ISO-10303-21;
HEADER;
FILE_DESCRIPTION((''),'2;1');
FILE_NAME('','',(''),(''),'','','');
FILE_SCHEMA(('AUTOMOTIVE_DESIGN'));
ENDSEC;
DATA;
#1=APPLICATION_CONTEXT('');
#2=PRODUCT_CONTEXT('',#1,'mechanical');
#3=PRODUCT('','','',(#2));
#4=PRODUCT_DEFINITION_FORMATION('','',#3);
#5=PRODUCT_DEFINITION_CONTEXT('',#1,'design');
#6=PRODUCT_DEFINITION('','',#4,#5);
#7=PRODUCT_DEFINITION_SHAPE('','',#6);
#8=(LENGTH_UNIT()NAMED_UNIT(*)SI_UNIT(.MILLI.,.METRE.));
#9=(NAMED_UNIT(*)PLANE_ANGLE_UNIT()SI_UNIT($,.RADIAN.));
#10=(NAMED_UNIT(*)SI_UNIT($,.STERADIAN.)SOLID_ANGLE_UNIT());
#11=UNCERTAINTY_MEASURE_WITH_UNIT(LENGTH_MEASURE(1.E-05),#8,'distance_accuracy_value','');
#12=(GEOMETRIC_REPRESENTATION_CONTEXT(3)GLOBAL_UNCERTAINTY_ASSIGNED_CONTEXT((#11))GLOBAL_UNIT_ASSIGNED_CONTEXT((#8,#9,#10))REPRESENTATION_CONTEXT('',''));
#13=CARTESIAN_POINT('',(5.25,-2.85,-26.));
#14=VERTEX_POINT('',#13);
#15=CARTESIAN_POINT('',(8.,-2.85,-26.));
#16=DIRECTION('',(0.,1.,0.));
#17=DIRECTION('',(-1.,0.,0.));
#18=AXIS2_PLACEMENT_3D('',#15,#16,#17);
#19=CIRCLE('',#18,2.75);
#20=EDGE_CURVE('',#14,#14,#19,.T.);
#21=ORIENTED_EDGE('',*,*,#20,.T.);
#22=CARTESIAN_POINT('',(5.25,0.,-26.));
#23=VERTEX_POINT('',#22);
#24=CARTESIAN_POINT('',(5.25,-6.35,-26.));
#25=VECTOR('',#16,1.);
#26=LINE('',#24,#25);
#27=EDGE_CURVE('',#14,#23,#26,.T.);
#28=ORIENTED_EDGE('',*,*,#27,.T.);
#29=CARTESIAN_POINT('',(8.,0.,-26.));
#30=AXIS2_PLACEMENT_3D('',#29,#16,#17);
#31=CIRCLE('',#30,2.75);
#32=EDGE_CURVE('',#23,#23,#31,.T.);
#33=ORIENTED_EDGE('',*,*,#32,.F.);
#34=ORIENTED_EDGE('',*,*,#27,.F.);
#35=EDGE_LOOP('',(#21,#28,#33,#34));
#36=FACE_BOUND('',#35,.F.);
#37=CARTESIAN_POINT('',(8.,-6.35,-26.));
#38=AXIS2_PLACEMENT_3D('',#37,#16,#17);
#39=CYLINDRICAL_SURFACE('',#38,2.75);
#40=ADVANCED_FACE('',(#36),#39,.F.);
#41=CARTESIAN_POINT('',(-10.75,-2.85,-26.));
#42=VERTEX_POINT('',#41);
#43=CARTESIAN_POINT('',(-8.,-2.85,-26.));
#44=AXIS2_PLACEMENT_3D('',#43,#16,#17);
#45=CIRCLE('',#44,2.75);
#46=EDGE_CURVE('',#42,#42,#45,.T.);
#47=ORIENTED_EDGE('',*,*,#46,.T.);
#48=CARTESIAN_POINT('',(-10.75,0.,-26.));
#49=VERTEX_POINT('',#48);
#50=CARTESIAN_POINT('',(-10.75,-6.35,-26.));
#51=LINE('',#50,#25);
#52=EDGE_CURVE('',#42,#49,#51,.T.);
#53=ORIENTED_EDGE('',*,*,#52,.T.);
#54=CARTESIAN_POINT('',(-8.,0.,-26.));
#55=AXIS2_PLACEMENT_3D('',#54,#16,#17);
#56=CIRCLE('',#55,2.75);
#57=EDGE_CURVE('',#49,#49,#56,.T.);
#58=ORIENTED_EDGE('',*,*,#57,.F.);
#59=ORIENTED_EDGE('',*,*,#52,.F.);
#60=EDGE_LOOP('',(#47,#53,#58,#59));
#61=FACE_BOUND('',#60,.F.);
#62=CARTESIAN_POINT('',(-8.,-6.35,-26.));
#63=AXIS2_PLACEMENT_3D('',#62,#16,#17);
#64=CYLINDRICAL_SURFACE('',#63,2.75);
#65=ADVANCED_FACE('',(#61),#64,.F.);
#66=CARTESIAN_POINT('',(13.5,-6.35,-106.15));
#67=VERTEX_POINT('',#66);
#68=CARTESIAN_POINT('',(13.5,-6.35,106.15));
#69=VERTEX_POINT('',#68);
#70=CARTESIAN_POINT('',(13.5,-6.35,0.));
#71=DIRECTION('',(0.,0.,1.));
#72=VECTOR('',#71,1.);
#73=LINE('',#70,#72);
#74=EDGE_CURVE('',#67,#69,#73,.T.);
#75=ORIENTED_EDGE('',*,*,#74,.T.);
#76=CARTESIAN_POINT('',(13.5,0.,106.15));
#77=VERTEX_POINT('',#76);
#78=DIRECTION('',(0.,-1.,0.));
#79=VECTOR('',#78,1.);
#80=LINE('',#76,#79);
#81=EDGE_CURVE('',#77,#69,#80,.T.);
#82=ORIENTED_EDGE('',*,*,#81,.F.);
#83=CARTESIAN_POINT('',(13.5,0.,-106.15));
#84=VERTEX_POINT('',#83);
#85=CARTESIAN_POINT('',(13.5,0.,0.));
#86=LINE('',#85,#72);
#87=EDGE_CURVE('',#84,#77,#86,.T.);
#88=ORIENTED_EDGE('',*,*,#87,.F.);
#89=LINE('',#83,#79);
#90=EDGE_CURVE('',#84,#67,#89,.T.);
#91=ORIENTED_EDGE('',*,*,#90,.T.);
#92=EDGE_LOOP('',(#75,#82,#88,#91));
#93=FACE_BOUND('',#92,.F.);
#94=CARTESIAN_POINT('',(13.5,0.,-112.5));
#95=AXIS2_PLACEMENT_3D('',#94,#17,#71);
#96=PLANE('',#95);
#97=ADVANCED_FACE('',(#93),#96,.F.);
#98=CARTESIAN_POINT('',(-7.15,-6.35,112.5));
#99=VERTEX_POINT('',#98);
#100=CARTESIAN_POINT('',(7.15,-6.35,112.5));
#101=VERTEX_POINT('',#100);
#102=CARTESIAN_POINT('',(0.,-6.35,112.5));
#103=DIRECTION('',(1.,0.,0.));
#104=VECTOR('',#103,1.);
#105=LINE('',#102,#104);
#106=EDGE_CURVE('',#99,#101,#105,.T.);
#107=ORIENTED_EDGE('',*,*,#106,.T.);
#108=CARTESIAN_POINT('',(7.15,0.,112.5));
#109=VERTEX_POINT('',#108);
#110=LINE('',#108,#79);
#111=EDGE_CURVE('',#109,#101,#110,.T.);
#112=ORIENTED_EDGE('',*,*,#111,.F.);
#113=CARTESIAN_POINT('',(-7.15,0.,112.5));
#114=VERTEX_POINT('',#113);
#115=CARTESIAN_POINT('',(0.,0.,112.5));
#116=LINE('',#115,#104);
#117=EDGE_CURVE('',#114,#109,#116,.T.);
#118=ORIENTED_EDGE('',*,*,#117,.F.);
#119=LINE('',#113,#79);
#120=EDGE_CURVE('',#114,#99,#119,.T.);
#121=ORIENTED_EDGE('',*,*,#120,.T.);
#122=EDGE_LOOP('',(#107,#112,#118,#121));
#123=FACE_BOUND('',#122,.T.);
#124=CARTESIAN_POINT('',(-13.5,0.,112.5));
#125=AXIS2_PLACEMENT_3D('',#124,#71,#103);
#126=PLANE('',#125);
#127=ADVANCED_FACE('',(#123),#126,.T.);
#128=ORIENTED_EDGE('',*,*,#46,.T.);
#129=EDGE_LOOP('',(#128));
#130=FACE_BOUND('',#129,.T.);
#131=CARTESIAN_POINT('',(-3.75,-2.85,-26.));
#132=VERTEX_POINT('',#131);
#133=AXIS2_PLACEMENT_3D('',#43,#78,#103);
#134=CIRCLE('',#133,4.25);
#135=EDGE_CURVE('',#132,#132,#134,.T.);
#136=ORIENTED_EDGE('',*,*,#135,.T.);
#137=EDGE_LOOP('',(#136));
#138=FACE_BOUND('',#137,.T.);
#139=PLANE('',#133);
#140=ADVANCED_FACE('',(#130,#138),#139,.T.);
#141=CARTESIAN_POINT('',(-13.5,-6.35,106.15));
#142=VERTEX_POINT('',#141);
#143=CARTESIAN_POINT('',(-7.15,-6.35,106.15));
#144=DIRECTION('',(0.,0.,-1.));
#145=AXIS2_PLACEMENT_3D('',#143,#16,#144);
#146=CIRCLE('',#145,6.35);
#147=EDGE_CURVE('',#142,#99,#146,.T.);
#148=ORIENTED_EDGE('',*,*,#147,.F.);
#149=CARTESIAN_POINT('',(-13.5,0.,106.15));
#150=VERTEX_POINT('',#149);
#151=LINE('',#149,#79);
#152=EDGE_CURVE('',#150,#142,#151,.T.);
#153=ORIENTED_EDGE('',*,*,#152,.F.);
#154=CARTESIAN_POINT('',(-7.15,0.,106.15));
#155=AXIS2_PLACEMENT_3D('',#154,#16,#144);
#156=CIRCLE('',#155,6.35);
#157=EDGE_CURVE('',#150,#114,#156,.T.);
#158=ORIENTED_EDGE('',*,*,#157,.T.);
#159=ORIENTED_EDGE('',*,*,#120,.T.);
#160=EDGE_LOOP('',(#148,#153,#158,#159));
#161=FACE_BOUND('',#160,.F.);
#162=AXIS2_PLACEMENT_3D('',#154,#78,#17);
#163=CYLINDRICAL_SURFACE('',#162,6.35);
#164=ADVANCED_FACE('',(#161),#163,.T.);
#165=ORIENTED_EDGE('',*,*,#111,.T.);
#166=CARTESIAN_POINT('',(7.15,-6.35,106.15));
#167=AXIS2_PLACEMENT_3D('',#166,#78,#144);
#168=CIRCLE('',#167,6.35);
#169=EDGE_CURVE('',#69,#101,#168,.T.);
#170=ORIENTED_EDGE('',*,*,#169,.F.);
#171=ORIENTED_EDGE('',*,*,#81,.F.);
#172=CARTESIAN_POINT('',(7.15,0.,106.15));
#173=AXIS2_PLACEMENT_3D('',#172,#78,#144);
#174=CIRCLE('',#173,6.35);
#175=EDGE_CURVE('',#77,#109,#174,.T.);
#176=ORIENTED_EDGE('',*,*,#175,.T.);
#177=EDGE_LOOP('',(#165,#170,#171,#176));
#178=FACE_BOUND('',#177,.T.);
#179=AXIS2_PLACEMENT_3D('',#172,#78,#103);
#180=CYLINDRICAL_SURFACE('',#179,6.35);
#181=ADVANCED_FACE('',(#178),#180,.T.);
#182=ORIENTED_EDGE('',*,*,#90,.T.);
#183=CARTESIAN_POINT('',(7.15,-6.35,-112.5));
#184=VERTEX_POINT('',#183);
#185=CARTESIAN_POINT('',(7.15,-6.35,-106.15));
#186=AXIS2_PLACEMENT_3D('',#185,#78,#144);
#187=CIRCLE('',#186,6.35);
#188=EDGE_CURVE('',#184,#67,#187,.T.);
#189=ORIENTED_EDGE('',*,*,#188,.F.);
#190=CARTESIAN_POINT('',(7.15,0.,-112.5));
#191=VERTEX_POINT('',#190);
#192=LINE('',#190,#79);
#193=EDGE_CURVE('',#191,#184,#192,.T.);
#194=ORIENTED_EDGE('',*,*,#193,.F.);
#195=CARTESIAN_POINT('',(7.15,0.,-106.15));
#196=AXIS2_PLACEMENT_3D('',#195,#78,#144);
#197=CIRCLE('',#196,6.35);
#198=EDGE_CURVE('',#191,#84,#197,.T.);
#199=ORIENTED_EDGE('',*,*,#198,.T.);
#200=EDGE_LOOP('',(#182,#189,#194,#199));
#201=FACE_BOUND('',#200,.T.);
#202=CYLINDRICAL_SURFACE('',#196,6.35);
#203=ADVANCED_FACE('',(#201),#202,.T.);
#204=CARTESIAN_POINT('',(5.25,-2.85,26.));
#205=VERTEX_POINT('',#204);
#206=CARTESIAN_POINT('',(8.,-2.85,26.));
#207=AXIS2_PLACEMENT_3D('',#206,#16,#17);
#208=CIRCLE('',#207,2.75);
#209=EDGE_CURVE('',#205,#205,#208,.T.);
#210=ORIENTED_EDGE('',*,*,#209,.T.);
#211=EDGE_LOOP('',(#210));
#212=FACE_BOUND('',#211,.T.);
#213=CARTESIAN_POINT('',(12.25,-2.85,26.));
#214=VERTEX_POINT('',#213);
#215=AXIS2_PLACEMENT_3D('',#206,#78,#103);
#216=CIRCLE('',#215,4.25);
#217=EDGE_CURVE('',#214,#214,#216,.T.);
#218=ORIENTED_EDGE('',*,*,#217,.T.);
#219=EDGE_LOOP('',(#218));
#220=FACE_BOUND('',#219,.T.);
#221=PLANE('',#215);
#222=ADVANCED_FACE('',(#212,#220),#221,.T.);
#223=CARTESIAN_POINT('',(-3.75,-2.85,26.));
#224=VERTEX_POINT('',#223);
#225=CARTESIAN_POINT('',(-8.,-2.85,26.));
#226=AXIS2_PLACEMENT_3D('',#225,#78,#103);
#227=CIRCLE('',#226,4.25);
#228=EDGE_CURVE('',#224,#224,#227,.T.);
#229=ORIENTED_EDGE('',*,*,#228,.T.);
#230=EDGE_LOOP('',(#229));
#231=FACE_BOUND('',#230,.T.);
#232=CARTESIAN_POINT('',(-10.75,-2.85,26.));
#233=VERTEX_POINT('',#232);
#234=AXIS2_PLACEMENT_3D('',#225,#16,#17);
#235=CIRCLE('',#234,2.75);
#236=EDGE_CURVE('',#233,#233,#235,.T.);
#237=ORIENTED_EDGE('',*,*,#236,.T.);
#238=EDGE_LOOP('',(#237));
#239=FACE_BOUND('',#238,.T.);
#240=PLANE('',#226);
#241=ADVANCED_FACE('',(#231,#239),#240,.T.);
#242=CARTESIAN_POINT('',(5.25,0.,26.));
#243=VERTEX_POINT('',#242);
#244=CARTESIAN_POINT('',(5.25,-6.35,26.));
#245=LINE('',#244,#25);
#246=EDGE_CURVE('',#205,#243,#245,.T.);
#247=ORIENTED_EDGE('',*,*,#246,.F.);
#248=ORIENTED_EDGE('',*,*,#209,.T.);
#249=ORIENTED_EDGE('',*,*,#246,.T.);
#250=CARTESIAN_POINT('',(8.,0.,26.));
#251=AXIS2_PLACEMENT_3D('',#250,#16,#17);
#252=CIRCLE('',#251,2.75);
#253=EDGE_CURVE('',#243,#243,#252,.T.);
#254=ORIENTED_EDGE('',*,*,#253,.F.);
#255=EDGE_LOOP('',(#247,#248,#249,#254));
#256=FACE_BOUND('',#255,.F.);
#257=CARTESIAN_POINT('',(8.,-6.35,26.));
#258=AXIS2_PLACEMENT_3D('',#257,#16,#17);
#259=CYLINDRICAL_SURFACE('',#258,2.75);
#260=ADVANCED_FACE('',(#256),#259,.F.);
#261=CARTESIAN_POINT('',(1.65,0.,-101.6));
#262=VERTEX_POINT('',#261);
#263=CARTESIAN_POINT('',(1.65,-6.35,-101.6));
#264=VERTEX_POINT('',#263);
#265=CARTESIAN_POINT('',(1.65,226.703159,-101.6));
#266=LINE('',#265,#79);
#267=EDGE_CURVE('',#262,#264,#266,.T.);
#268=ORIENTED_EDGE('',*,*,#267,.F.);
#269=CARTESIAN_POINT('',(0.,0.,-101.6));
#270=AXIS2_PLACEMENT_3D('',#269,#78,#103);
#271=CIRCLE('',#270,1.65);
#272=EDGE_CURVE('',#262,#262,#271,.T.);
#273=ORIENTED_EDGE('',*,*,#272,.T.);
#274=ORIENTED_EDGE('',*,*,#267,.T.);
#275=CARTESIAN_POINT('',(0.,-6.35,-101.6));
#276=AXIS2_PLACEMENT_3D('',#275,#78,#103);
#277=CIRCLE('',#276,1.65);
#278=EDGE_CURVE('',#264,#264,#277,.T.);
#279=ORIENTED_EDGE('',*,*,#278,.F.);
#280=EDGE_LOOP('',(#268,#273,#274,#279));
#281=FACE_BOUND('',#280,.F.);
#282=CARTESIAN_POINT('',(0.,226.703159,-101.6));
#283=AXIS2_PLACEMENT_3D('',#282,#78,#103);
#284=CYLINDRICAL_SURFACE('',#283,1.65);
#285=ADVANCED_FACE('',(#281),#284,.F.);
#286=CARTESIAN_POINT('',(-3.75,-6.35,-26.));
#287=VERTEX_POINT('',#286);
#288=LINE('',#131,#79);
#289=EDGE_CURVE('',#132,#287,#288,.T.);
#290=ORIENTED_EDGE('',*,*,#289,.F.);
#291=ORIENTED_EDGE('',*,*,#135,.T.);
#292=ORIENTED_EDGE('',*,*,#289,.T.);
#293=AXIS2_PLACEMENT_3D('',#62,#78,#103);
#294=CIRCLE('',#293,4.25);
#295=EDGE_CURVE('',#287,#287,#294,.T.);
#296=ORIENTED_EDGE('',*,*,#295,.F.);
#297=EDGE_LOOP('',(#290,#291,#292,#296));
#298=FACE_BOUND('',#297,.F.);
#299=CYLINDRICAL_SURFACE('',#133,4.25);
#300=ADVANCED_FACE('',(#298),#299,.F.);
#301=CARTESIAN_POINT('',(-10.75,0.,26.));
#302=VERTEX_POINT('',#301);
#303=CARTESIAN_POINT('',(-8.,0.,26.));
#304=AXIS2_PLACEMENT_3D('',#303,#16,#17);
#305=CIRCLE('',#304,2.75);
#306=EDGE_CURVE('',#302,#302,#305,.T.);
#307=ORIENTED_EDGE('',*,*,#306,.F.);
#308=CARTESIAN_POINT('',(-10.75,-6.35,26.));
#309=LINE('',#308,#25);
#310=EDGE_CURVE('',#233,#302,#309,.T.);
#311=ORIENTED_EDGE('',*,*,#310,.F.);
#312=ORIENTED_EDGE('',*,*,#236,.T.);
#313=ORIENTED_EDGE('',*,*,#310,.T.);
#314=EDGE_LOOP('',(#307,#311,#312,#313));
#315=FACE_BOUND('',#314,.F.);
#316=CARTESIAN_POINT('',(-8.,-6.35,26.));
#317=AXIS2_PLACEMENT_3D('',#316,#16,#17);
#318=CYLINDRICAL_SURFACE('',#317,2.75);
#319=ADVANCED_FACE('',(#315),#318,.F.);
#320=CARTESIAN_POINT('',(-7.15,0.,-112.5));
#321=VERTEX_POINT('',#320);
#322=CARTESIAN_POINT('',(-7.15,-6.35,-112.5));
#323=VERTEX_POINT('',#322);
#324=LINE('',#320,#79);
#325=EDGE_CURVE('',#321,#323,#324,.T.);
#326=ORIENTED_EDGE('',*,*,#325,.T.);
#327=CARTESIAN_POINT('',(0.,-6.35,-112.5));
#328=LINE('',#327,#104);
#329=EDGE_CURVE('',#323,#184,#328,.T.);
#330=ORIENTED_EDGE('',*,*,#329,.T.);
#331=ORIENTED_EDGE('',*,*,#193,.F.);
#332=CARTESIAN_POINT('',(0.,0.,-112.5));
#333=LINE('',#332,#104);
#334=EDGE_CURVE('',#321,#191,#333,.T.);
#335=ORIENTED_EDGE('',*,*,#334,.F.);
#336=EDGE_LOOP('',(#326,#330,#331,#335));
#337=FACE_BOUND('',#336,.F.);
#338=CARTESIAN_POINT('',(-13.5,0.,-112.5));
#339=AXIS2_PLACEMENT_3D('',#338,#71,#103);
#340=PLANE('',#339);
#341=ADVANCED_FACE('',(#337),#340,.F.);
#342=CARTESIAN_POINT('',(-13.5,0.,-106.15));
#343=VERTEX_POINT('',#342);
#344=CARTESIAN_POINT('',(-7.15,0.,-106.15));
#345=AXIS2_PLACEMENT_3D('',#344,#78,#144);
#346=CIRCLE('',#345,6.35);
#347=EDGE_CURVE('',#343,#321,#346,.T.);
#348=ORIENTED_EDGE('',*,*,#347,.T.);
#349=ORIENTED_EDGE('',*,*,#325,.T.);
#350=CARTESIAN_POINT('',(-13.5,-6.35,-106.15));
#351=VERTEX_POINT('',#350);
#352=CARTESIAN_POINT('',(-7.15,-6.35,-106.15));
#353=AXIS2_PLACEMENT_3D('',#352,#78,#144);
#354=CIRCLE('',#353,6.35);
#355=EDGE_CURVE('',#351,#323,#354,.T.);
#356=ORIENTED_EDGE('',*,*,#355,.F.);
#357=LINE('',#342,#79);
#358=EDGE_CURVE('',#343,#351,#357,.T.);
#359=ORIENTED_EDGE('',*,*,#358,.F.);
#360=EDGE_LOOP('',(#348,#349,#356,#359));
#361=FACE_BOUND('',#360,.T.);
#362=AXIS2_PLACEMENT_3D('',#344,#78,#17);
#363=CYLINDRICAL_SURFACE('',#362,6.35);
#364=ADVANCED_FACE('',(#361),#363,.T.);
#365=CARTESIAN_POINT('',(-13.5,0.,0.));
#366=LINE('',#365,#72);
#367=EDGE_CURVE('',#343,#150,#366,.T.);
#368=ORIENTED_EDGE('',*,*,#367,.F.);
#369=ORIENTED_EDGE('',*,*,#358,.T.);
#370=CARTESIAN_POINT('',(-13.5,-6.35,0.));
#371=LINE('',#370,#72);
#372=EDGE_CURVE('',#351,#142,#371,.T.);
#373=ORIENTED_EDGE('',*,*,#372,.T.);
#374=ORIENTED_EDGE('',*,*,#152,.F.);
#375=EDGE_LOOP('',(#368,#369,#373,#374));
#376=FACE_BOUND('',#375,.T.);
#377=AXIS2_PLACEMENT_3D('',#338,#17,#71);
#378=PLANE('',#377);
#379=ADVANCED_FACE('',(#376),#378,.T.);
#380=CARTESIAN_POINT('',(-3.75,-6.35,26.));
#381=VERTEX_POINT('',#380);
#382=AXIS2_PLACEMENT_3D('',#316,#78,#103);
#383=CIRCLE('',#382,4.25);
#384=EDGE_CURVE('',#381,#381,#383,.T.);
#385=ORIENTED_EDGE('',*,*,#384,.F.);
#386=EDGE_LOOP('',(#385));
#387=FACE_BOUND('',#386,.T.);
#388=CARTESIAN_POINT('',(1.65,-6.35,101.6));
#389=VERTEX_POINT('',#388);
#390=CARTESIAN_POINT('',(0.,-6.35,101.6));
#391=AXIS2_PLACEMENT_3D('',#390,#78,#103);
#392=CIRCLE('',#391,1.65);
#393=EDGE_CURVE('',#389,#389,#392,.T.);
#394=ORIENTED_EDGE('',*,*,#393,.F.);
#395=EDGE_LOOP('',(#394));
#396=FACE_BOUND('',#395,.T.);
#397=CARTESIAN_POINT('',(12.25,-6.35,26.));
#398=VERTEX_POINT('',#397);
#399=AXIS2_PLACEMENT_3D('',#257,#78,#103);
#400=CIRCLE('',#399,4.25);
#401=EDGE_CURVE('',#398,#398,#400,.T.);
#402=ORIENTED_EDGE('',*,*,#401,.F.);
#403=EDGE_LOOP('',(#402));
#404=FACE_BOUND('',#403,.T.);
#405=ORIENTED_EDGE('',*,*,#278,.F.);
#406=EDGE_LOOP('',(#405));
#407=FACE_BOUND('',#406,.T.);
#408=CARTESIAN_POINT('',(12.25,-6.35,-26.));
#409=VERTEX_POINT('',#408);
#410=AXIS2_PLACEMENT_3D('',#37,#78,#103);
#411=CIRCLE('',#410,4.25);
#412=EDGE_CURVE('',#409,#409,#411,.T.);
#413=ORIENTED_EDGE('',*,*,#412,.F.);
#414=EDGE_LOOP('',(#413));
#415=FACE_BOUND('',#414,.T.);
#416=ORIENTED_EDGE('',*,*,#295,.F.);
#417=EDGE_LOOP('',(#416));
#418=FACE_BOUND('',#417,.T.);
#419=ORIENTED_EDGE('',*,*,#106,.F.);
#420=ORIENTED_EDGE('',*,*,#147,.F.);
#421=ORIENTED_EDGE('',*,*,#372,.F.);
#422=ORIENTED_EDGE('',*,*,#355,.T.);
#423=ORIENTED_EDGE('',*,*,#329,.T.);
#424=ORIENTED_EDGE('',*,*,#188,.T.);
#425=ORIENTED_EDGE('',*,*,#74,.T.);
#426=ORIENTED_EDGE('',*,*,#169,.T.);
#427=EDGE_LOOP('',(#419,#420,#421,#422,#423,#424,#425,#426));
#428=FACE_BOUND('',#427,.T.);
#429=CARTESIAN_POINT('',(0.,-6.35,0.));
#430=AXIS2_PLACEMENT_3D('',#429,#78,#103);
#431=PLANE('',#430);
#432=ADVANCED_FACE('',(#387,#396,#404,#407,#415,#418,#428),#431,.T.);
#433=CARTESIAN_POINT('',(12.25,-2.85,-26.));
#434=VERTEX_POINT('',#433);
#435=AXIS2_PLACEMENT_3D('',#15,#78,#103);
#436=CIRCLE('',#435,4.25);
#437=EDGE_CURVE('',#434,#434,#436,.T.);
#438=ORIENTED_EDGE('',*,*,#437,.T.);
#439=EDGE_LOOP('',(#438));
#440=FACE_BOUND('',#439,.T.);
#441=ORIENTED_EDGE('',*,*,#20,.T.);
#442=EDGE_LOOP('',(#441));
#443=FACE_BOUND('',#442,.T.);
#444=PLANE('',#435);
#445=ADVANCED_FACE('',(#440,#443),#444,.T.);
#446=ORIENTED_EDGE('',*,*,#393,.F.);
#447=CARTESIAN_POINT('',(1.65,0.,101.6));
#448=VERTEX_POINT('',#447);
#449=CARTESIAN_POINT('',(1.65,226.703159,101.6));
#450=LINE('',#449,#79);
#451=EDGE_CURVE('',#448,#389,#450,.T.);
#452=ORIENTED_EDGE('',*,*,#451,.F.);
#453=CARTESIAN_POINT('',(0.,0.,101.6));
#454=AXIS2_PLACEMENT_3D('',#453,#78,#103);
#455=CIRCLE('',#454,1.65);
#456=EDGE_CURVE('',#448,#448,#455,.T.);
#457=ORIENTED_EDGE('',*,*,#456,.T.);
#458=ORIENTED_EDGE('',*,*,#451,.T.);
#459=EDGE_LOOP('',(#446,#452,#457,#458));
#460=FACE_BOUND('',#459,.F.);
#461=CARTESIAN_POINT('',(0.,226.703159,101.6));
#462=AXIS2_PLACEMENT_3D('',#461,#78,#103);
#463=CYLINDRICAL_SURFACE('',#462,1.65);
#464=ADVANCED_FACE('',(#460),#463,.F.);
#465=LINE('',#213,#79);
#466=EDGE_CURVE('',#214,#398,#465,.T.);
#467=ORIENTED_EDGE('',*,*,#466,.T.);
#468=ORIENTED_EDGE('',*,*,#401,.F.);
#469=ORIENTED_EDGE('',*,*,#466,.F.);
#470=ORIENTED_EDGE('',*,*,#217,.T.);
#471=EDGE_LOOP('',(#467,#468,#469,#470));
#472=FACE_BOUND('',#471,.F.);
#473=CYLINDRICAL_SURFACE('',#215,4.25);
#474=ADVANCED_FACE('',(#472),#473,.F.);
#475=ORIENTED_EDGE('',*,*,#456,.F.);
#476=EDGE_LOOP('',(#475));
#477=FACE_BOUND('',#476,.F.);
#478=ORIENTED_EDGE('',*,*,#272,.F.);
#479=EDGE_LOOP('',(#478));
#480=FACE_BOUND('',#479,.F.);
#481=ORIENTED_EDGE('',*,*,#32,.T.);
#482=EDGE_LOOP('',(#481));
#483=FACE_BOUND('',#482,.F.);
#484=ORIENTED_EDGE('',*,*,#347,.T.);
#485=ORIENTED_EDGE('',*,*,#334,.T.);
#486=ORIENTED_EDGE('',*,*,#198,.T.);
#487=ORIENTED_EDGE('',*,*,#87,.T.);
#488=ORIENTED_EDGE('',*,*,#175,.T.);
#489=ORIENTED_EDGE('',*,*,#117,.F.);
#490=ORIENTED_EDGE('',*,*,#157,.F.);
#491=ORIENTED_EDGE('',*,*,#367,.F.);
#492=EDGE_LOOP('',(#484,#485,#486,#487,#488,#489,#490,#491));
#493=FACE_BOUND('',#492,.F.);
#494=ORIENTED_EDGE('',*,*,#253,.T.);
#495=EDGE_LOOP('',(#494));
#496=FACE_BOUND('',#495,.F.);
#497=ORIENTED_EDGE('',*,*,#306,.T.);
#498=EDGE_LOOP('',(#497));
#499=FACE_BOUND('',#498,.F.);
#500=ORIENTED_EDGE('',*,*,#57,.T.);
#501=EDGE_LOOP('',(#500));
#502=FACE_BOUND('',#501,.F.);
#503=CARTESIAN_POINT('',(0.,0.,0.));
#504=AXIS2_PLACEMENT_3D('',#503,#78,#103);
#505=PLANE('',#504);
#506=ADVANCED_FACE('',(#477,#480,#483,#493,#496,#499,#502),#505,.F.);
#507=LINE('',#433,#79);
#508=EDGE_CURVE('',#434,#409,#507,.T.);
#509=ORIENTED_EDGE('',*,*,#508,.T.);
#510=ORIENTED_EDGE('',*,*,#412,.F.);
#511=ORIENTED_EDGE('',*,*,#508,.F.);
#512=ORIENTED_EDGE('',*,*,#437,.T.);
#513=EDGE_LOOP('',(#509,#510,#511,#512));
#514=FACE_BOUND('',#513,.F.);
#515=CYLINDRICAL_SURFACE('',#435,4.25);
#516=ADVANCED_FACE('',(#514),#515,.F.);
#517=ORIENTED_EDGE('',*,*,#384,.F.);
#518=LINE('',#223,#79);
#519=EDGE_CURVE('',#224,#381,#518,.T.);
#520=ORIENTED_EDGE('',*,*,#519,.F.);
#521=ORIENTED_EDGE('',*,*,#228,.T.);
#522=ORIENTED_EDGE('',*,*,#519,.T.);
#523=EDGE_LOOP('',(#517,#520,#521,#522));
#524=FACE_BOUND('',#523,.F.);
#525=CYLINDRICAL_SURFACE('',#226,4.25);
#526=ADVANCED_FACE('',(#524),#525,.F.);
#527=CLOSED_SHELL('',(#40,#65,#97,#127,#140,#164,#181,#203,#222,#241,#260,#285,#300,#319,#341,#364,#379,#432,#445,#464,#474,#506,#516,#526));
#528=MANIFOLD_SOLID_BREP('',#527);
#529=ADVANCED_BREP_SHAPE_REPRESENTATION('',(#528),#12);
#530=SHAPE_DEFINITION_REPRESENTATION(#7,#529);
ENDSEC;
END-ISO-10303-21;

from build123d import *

# Parameters (mm, degrees)
F0_W           = 27
F0_H           = 225
F1_DEPTH       = 6.35
F2_R           = 6.35
F4_D           = 5.5
F4_CBORE_D     = 8.5
F4_CBORE_DEPTH = 3.5
F6_D           = 3.3


with BuildPart() as f1:
    # F0 (on Front) → F1 (new body)
    with BuildSketch(Plane.XZ):
        Rectangle(F0_W, F0_H)
    extrude(amount=F1_DEPTH)

    # F2
    f2_edges = [f1.edges().sort_by_distance(p)[0] for p in [
        (13.5, -3.175, 112.5),
        (-13.5, -3.175, 112.5),
        (13.5, -3.175, -112.5),
        (-13.5, -3.175, -112.5),
    ]]
    fillet(f2_edges, radius=F2_R)

    # F4 (through all)
    with Locations(Plane.XZ.offset(6.35)):
        with Locations((-8, 26), (8, 26), (-8, -26), (8, -26)):
            CounterBoreHole(F4_D / 2, F4_CBORE_D / 2, F4_CBORE_DEPTH)

    # F6 (through all)
    with Locations(Plane(origin=(0, 0, 0), x_dir=(-1, 0, 0), z_dir=(0, 1, 0))):
        with Locations((0, 101.6), (0, -101.6)):
            Hole(F6_D / 2)


solid = f1.part
